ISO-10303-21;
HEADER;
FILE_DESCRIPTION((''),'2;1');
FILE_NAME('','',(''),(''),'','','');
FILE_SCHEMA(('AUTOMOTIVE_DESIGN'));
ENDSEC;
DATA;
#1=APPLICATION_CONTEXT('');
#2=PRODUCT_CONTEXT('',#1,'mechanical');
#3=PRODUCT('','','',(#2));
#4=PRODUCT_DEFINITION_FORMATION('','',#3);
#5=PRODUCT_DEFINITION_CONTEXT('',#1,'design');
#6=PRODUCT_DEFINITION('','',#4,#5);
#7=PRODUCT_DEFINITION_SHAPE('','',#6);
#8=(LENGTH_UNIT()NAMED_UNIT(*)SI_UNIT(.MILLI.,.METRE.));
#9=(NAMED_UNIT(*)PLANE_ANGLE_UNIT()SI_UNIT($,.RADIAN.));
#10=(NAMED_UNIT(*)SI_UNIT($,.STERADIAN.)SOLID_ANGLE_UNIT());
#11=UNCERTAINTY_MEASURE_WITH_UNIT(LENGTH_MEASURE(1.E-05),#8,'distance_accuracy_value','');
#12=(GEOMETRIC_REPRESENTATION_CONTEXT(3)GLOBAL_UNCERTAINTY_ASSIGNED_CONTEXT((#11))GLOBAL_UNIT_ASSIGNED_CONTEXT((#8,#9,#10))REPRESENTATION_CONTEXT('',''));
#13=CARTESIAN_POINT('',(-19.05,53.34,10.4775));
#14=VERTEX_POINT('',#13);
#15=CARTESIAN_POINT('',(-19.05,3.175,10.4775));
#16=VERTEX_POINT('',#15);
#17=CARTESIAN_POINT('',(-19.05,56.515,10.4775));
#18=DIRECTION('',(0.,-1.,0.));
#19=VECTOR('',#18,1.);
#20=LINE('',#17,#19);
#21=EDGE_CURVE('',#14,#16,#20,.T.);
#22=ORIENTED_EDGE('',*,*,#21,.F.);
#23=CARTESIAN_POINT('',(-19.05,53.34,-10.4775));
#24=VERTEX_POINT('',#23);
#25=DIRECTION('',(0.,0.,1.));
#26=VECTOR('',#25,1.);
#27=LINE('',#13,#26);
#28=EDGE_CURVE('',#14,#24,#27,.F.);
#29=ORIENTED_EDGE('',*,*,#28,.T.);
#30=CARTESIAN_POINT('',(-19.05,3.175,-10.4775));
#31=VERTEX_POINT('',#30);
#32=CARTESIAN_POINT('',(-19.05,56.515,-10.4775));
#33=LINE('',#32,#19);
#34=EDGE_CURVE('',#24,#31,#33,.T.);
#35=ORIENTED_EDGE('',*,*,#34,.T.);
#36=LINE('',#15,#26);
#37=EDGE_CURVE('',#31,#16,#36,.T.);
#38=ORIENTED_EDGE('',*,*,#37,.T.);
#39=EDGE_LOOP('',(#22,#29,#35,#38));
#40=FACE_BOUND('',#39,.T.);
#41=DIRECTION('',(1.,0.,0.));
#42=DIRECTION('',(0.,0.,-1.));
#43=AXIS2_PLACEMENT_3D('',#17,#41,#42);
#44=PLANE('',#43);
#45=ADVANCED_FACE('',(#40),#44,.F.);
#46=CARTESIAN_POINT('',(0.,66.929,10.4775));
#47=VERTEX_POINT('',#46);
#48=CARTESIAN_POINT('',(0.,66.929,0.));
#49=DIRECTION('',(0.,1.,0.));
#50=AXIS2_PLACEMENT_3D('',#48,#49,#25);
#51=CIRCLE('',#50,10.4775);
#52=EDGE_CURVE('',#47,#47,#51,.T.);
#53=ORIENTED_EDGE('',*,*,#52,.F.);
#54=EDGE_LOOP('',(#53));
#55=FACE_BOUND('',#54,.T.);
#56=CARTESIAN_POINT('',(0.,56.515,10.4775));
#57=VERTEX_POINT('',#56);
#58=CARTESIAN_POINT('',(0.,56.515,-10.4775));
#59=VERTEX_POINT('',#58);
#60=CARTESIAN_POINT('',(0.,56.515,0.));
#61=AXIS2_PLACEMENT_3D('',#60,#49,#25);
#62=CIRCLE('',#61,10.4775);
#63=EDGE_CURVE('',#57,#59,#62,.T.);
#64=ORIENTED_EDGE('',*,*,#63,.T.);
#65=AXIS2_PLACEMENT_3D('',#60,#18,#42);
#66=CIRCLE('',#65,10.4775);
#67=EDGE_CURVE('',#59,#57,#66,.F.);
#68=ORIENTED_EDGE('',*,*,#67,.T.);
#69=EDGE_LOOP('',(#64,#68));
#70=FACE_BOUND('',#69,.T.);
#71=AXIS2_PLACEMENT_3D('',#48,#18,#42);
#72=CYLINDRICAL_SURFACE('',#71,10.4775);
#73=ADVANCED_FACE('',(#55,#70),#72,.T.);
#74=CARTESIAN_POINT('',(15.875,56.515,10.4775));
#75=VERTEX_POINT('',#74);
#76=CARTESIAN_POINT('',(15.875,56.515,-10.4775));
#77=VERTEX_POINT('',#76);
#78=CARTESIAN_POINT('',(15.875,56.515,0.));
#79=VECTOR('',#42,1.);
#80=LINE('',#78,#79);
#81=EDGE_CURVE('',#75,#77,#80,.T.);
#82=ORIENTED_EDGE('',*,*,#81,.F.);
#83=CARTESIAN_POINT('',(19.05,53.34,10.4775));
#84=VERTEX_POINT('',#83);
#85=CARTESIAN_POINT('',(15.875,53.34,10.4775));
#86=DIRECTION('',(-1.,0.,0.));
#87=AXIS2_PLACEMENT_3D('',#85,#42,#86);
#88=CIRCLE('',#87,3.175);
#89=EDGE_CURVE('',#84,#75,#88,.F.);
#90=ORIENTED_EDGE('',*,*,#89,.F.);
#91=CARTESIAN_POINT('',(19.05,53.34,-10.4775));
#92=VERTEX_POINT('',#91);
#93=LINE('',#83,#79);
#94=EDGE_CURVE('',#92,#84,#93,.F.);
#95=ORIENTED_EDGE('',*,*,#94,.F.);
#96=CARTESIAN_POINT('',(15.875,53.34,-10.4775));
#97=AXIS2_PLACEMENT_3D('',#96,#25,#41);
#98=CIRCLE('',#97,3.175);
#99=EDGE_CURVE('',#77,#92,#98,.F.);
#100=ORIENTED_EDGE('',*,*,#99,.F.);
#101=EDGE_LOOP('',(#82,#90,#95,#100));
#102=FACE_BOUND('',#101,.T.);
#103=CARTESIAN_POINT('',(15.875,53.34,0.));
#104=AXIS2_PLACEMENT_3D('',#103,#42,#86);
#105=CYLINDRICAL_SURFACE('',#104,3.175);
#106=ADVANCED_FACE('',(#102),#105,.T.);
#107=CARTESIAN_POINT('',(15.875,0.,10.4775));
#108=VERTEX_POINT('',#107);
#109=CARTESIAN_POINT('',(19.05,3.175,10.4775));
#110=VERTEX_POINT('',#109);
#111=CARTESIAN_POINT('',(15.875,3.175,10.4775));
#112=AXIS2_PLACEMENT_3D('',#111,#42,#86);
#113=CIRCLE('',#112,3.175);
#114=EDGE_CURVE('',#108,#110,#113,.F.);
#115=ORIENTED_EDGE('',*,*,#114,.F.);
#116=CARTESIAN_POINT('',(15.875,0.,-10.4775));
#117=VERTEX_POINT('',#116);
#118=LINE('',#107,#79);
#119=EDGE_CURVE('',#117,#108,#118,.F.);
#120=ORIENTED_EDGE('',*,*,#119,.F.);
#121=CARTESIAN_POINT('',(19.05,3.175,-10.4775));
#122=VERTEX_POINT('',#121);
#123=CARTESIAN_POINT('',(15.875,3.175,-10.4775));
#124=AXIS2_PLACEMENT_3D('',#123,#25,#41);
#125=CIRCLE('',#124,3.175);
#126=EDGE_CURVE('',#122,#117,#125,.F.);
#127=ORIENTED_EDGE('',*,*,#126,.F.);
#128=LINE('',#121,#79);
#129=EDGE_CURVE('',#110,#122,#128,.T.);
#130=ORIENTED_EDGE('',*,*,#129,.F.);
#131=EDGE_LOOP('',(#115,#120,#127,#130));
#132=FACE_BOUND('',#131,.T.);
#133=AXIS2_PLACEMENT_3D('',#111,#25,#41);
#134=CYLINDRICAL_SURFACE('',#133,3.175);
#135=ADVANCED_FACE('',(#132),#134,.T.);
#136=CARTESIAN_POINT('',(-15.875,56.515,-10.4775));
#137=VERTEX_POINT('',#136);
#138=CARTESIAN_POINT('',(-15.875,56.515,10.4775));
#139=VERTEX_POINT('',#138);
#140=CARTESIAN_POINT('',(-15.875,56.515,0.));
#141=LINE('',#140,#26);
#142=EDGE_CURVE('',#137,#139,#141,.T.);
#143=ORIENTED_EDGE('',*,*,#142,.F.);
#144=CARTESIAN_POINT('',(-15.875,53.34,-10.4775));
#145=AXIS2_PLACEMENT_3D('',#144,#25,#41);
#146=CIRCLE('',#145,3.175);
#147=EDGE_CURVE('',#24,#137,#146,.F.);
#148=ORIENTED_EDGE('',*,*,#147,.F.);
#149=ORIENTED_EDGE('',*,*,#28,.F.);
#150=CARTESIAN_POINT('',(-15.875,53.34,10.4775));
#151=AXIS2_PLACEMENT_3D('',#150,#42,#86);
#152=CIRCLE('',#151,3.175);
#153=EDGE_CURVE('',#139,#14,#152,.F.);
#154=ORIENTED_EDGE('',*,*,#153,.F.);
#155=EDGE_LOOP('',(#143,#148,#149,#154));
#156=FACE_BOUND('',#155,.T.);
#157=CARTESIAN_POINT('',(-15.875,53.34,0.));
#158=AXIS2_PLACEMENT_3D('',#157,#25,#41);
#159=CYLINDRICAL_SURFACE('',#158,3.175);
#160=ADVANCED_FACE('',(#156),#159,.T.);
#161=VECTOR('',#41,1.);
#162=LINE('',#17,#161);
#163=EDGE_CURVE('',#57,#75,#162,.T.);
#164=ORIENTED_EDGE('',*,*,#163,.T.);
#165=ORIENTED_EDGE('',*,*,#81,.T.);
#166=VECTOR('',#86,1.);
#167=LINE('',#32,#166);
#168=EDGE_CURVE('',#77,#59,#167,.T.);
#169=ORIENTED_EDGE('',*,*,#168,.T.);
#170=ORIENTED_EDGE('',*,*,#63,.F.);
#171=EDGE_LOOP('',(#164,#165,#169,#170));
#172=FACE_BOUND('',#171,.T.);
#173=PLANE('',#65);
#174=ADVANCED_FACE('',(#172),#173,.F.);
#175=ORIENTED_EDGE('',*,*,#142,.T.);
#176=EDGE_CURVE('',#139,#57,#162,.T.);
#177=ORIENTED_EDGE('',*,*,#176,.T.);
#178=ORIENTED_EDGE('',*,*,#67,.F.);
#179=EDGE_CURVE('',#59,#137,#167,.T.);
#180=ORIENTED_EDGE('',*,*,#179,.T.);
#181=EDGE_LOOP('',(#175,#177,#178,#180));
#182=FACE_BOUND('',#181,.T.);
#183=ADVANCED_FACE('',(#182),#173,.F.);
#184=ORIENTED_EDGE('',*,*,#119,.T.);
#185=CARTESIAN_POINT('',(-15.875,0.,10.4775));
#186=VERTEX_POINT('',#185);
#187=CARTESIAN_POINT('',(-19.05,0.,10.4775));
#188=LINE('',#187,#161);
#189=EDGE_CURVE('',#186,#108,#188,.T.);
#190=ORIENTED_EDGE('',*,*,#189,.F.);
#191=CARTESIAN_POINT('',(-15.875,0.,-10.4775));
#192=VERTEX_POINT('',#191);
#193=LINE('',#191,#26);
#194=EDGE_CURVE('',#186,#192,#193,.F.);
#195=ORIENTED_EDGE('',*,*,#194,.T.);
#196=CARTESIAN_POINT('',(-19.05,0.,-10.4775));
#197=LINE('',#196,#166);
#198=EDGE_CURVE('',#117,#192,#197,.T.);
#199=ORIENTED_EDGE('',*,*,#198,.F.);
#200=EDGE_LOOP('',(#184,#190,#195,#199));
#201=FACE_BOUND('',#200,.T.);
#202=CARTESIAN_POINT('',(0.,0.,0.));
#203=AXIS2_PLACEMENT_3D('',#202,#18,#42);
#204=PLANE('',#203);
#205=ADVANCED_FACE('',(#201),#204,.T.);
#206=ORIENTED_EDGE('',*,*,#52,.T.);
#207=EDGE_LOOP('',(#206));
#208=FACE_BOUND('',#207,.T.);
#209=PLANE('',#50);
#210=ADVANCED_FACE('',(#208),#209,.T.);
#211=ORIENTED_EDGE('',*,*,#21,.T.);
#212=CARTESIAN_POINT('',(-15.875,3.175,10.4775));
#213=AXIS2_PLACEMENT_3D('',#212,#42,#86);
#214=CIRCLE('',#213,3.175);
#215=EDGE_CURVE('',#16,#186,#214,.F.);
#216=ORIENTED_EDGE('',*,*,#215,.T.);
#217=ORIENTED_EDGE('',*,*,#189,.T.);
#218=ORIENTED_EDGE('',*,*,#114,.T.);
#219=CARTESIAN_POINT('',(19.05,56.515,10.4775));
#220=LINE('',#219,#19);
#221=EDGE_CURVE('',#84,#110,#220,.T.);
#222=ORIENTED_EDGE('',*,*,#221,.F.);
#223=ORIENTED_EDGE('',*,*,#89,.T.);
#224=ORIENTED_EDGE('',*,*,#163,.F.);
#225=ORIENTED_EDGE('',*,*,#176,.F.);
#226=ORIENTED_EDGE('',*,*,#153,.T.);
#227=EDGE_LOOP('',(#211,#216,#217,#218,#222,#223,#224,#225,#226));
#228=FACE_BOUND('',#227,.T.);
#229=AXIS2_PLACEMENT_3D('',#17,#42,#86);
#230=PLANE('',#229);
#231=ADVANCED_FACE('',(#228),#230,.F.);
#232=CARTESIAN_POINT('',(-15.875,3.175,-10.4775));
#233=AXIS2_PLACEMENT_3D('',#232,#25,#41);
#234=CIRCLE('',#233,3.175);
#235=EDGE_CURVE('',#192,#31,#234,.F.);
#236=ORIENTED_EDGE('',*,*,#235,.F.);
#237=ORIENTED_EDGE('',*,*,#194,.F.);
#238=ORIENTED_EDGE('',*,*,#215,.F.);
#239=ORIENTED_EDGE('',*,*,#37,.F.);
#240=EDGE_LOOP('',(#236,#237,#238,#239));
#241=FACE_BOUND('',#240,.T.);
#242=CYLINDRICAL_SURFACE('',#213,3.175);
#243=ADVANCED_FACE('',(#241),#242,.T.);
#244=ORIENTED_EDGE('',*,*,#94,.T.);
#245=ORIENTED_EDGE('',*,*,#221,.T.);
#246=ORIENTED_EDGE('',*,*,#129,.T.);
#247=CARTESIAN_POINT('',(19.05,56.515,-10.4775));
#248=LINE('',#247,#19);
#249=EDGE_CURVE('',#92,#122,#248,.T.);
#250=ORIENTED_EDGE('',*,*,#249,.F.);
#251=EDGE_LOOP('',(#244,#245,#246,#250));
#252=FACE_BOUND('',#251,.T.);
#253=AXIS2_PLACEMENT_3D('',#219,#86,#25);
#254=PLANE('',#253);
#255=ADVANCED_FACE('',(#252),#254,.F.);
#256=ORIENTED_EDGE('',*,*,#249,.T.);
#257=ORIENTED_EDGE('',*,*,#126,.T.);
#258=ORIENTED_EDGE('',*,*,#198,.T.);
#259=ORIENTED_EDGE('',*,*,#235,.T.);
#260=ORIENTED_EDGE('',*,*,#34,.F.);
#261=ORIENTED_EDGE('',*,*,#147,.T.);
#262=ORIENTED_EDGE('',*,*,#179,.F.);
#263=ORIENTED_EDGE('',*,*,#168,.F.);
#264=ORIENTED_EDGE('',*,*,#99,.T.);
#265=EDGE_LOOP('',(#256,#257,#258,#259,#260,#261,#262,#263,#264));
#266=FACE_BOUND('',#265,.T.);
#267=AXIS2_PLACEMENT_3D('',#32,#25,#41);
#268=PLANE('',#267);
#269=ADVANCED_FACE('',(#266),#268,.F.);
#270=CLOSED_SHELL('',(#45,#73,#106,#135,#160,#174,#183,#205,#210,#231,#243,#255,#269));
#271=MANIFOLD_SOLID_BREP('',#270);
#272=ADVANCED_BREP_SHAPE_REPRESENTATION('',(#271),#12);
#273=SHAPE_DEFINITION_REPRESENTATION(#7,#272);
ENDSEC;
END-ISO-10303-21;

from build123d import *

# Parameters (mm, degrees)
SKETCH1_W           = 38.1
SKETCH1_H           = 20.955
BOSS_EXTRUDE1_DEPTH = 56.515
FILLET1_R           = 3.175
SKETCH2_R           = 10.4775
BOSS_EXTRUDE2_DEPTH = 10.414


with BuildPart() as part:
    # Sketch1 → Boss-Extrude1 (new body)
    with BuildSketch(Plane(origin=(0, 0, 0), x_dir=(1, 0, 0), z_dir=(0, 1, 0))):
        Rectangle(SKETCH1_W, SKETCH1_H)
    extrude(amount=BOSS_EXTRUDE1_DEPTH)

    # Fillet1
    fillet1_edges = [part.edges().sort_by_distance(p)[0] for p in [
        (-19.05, 56.515, 0),
        (19.05, 56.515, 0),
        (-19.05, 0, 0),
        (19.05, 0, 0),
    ]]
    fillet(fillet1_edges, radius=FILLET1_R)

    # Sketch2 → Boss-Extrude2 (add)
    with BuildSketch(Plane(origin=(0, 56.515, 0), x_dir=(1, 0, 0), z_dir=(0, 1, 0))):
        Circle(SKETCH2_R)
    extrude(amount=BOSS_EXTRUDE2_DEPTH)


solid = part.part
